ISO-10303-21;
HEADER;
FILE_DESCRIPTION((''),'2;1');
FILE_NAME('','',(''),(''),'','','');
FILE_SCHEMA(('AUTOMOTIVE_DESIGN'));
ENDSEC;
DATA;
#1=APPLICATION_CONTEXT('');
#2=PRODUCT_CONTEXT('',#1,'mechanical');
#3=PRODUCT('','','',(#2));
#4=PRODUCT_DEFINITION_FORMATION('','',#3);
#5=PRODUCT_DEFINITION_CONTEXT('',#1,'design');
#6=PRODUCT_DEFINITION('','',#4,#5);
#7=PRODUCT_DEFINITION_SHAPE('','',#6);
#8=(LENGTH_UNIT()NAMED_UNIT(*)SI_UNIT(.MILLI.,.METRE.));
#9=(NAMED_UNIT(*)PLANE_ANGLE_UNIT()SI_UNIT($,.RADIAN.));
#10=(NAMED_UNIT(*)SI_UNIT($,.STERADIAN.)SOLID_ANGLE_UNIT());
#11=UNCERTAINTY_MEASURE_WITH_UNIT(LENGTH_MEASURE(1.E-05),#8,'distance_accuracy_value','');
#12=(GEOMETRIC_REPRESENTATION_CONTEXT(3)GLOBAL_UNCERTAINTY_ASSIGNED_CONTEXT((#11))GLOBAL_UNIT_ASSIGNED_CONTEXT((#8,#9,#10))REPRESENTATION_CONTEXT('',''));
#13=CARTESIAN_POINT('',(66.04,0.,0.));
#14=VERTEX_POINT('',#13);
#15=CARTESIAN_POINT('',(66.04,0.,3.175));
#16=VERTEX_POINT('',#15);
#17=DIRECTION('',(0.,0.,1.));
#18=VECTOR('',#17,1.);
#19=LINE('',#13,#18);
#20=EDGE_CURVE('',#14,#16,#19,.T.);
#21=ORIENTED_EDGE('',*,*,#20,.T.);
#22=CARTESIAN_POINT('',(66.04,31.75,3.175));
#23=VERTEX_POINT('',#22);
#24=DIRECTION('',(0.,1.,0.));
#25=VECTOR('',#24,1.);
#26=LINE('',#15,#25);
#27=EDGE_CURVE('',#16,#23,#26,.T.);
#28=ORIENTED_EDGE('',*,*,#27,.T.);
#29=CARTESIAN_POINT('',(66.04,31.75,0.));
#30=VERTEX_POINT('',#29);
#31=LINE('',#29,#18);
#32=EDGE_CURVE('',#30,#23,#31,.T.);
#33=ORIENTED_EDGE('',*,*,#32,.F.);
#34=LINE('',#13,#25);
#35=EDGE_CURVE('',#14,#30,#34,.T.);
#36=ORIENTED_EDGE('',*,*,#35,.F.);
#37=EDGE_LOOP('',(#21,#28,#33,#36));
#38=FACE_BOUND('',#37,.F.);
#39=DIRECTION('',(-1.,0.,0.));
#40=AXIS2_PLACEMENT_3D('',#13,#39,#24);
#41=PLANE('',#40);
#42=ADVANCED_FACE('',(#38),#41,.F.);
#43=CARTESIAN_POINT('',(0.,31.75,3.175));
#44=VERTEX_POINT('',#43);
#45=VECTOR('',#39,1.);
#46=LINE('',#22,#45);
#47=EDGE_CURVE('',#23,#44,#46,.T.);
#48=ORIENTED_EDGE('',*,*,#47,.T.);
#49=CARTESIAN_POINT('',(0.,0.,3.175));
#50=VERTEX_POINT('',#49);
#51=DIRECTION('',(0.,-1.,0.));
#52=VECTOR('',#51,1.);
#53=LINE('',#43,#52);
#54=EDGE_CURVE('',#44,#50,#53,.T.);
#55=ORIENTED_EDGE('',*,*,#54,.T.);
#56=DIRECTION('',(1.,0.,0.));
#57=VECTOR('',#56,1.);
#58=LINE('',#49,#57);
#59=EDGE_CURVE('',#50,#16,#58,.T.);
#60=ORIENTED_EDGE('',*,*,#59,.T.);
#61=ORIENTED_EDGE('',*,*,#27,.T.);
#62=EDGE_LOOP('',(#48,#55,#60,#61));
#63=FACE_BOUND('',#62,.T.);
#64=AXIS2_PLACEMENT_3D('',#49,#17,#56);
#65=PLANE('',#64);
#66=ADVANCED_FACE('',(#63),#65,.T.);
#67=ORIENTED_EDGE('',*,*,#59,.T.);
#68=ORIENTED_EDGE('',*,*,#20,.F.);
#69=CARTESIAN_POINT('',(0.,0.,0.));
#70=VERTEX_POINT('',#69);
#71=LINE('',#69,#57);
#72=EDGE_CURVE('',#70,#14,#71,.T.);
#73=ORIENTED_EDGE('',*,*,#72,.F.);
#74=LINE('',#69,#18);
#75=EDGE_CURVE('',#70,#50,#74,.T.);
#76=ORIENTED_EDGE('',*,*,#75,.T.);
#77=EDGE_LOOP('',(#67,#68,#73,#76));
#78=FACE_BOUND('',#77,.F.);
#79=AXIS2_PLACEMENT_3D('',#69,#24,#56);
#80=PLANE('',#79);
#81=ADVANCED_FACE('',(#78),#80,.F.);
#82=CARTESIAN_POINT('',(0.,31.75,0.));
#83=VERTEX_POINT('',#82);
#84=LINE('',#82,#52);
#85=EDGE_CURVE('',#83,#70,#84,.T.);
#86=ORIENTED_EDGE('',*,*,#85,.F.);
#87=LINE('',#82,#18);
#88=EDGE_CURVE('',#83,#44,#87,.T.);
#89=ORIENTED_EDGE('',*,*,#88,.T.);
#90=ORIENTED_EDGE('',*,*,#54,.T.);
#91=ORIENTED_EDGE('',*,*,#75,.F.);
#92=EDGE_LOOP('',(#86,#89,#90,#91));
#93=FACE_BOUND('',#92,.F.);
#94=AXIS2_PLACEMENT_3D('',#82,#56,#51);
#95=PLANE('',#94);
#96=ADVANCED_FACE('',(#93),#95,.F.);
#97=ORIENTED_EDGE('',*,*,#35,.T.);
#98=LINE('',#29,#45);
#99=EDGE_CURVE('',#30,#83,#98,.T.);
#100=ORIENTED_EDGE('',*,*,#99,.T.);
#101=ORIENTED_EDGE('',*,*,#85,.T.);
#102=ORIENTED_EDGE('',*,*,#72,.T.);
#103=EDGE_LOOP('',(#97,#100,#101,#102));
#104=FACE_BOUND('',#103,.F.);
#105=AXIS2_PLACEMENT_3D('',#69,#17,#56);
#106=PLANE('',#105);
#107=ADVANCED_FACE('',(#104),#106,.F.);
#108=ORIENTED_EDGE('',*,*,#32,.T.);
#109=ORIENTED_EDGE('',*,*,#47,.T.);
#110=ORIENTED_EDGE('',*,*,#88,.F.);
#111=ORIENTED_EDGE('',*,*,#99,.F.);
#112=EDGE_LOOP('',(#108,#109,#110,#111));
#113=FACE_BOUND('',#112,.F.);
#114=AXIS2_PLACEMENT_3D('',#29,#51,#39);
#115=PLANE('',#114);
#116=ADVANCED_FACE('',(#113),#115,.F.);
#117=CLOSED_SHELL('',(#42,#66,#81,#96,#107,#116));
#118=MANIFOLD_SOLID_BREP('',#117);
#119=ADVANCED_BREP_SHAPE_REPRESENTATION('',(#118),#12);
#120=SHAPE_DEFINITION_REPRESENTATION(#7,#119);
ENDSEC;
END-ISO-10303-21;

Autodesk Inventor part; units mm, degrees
ref_plane "YZ Plane" through (0, 0, 0) normal (1, 0, 0) x (0, 1, 0)
ref_plane "XZ Plane" through (0, 0, 0) normal (0, 1, 0) x (-1, 0, 0)
ref_plane "XY Plane" through (0, 0, 0) normal (0, 0, 1) x (1, 0, 0)
sketch "Sketch1" plane through (0, 0, 0) normal (0, 0, 1) x (1, 0, 0)
  line L0 (0, 0) -> (66.04, 0)
  line L1 (66.04, 0) -> (66.04, 31.75)
  line L2 (66.04, 31.75) -> (0, 31.75)
  line L3 (0, 31.75) -> (0, 0)
  dimension "d0" = 31.75
  dimension "d1" = 66.04
extrude "Extrusion1" add sketch "Sketch1" along normal blind 3.175
properties part number "Case_lens" material "Polycarbonate, Smoke"
